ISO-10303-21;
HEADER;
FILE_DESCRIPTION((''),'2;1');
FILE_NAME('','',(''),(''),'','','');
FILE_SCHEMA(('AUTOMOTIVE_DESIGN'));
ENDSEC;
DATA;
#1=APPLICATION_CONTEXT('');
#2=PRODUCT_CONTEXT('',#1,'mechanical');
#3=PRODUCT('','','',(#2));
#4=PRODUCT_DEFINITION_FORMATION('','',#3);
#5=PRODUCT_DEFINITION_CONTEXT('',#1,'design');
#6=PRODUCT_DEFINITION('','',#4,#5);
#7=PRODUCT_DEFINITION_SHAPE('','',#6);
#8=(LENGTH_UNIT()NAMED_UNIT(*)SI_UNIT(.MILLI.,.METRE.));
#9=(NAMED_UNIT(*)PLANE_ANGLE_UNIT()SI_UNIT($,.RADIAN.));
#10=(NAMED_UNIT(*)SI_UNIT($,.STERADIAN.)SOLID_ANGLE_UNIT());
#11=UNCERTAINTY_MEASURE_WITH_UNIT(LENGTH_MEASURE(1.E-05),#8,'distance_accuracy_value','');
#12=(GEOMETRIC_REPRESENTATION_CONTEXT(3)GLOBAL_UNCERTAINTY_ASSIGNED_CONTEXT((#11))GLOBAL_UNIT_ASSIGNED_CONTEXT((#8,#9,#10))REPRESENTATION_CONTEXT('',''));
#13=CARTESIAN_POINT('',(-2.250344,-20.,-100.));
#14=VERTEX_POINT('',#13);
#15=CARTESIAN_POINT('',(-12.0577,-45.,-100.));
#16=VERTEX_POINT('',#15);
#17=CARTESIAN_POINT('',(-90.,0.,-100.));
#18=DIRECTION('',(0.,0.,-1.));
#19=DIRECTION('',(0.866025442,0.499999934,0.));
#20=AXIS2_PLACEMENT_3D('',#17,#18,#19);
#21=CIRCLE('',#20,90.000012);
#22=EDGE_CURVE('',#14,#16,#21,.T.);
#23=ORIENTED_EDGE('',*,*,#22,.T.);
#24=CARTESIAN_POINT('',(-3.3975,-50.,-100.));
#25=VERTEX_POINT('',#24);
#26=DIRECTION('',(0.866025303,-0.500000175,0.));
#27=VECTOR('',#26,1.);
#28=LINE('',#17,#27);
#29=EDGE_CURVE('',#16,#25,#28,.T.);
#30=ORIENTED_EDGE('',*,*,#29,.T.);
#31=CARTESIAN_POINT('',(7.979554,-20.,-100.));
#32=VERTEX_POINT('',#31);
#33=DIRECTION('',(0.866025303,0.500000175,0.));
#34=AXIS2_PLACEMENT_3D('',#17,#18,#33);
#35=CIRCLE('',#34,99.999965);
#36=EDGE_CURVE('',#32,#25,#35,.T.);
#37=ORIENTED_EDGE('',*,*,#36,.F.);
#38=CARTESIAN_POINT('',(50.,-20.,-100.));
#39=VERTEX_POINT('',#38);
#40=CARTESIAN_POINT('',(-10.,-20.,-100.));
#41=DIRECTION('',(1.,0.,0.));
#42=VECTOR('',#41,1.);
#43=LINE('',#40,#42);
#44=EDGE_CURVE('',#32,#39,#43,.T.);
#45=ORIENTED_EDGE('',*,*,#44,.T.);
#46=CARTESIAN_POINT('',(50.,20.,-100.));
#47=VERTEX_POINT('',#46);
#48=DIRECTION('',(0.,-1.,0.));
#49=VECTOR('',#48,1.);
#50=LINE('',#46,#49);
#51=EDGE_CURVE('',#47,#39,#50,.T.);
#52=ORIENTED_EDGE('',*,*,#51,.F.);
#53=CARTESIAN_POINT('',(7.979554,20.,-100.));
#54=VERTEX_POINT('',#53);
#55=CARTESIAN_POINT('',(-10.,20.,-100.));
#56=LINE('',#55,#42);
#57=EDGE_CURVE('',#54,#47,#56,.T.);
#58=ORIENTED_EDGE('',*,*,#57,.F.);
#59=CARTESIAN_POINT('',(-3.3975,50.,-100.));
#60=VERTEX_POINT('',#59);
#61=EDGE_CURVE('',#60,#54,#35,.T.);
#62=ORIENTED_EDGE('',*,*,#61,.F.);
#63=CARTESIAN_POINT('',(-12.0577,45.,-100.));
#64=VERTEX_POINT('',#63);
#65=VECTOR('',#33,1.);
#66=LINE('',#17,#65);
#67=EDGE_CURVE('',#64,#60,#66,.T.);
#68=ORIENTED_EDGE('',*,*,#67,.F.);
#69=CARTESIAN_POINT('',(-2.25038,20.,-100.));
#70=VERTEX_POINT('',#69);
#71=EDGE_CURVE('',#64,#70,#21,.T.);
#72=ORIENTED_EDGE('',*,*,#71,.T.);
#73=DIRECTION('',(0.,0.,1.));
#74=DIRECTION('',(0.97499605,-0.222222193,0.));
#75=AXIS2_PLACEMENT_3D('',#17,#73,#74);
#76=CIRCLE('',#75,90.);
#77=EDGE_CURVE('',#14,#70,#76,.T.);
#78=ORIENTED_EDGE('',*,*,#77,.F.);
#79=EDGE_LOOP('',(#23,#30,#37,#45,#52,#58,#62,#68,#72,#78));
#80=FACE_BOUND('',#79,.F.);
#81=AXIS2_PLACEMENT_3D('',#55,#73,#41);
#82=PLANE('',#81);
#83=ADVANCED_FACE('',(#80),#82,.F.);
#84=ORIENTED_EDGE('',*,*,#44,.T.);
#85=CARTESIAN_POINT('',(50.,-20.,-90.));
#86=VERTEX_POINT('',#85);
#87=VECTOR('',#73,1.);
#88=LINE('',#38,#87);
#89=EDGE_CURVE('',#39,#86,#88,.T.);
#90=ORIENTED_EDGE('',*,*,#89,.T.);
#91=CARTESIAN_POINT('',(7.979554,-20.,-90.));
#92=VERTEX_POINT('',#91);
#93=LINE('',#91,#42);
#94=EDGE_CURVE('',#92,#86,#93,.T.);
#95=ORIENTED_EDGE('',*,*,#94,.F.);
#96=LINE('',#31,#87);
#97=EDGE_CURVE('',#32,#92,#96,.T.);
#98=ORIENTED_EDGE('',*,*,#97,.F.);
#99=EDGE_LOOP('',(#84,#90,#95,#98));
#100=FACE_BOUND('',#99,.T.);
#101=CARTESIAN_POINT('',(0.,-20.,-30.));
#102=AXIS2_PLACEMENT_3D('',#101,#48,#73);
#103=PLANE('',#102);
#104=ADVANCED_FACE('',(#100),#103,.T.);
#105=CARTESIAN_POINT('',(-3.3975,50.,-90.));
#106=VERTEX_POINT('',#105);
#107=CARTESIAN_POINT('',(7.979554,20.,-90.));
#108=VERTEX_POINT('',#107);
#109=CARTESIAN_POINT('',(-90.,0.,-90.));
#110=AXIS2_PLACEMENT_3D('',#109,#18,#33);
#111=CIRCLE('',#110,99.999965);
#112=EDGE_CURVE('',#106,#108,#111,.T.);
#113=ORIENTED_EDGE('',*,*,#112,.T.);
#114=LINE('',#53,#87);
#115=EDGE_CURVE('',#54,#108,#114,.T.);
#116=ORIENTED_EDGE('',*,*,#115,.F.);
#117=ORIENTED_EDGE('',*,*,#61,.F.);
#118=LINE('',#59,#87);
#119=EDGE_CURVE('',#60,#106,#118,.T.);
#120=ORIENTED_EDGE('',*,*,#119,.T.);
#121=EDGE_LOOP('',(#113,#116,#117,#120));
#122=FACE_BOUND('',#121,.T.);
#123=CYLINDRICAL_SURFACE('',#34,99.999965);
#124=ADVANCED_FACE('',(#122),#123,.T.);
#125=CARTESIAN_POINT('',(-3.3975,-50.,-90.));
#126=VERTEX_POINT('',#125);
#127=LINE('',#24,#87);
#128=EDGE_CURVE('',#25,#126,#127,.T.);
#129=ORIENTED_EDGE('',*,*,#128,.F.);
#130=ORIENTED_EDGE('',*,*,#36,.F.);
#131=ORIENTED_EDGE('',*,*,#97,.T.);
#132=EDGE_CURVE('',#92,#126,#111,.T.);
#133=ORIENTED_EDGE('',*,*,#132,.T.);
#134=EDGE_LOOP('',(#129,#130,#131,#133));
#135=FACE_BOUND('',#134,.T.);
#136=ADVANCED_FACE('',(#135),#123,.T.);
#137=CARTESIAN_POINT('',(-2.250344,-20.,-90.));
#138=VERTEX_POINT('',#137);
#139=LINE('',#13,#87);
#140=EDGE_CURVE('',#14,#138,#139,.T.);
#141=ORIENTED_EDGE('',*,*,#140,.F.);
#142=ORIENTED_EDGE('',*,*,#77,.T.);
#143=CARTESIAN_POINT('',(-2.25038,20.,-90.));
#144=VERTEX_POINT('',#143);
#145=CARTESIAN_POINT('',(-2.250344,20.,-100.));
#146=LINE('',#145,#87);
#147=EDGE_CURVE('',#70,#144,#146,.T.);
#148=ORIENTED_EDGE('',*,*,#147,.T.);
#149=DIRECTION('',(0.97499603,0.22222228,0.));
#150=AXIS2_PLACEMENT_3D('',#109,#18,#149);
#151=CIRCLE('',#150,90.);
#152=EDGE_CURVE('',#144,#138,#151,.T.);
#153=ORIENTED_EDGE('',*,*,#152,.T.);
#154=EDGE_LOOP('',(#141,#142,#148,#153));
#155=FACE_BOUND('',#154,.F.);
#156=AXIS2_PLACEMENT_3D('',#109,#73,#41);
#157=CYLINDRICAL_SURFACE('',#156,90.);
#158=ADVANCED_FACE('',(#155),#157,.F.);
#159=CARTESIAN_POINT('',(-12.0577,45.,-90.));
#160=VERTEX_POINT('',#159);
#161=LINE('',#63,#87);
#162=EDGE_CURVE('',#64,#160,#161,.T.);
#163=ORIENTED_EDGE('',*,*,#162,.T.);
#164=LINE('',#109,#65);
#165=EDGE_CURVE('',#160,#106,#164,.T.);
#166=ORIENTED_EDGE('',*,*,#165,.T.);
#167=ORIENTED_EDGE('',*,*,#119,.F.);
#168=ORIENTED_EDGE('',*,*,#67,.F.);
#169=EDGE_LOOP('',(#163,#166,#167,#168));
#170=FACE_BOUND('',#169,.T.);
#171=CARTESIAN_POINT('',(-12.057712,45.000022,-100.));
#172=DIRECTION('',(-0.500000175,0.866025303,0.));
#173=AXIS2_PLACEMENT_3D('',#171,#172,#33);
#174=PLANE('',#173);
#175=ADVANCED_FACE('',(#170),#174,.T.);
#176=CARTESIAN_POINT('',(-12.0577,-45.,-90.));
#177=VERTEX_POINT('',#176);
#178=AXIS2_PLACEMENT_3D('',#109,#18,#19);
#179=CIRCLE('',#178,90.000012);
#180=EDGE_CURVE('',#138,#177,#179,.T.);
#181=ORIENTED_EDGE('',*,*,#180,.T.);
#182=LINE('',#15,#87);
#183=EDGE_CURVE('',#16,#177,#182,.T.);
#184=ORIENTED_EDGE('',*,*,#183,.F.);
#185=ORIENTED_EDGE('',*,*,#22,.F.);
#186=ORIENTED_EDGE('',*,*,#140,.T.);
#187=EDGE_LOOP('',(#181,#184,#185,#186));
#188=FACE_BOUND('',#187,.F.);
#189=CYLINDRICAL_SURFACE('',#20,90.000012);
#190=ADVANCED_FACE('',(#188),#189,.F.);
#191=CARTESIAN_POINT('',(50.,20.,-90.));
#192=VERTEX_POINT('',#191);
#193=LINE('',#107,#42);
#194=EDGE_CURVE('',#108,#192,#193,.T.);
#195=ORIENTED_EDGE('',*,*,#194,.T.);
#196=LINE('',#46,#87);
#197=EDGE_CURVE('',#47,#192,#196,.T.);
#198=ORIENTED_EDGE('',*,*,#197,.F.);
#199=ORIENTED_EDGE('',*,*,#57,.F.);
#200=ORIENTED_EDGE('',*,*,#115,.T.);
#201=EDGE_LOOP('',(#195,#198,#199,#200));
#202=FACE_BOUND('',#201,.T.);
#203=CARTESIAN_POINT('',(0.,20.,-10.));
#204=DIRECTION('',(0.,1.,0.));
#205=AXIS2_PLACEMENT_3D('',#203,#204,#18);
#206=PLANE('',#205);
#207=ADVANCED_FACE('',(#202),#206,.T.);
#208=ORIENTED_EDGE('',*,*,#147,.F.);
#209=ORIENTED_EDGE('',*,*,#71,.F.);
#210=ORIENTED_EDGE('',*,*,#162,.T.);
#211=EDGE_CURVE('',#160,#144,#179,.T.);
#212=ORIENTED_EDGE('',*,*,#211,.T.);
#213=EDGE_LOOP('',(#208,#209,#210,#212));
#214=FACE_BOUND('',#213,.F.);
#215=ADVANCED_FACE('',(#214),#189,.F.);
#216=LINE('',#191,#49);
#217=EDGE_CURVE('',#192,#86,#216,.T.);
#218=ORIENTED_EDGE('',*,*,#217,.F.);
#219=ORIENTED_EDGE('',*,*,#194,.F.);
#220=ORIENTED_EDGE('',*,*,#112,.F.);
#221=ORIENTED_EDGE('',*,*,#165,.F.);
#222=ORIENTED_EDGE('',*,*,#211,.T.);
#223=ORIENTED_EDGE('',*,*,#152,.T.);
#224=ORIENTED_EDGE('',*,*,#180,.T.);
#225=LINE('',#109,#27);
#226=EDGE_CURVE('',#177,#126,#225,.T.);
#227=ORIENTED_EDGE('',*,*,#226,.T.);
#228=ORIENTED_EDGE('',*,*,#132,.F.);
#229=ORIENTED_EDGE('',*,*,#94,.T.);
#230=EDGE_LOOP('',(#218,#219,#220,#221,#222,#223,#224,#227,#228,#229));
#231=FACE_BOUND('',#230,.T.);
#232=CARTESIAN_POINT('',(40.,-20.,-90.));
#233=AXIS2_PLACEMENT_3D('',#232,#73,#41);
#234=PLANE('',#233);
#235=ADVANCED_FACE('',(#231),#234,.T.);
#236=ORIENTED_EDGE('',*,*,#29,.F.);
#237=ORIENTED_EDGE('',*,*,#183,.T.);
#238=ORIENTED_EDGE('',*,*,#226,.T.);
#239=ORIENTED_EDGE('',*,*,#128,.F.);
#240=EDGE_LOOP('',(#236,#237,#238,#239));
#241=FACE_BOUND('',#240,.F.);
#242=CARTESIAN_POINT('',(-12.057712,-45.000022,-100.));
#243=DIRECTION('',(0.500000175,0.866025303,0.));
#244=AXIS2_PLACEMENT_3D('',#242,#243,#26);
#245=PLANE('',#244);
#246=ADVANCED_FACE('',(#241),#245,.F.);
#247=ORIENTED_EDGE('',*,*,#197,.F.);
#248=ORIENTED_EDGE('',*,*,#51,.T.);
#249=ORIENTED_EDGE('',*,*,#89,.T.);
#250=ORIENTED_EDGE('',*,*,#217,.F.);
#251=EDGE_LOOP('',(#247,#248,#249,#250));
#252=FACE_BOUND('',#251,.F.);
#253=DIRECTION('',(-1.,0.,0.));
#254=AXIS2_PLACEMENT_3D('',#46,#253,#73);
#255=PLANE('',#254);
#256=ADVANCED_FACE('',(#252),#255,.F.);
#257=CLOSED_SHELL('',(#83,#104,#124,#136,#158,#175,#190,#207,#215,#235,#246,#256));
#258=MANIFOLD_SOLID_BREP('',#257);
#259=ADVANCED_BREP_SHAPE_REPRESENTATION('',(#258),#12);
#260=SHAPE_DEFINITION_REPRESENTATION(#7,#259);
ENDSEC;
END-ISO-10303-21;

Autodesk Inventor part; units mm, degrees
ref_plane "YZ Plane" through (0, 0, 0) normal (1, 0, 0) x (0, 1, 0)
ref_plane "XZ Plane" through (0, 0, 0) normal (0, 1, 0) x (-1, 0, 0)
ref_plane "XY Plane" through (0, 0, 0) normal (0, 0, 1) x (1, 0, 0)
sketch "Skizze1" plane through (0, 0, 0) normal (1, 0, 0) x (0, 1, 0)
  line L0 (-10, -10) -> (-10, -5)
  line L1 (-10, -5) -> (-15, -5)
  line L2 (-15, -5) -> (-15, 0)
  line L3 (-15, 0) -> (15, 0)
  line L4 (15, 0) -> (15, -5)
  line L5 (15, -5) -> (10, -5)
  line L6 (10, -5) -> (10, -10)
  line L7 (10, -10) -> (20, -10)
  line L8 (20, -10) -> (20, -30)
  line L9 (20, -30) -> (-20, -30)
  line L10 (-20, -30) -> (-20, -10)
  line L11 (-20, -10) -> (-10, -10)
  line L12 (0, -36) -> (0, 6) projected
  point P0 (0, 0)
  dimension "d0" = 30
  dimension "d1" = 20
  dimension "d2" = 5
  dimension "d3" = 5
  dimension "d4" = 20
  dimension "d5" = 90
  dimension "d6" = 40
extrude "Extrusion1" add sketch "Skizze1" along normal blind 10
sketch "Skizze3" plane through (0, 20, -10) normal (0, 1, 0) x (1, 0, 0)
  line L0 (0, 0) -> (0, 20) projected
  line L1 (0, 20) -> (40, 20)
  line L2 (40, 20) -> (40, 80)
  line L3 (40, 80) -> (-10, 80)
  line L4 (-10, 80) -> (-10, 90)
  line L5 (-10, 90) -> (50, 90)
  line L6 (50, 90) -> (50, 10)
  line L7 (50, 10) -> (0, 10)
  point P0 (0, -10)
  dimension "d12" = 10
  dimension "d13" = 10
  dimension "d14" = 10
  dimension "d15" = 60
  dimension "d16" = 50
  dimension "d17" = 60
extrude "Extrusion3" add sketch "Skizze3" against normal up to surface (40 mm away)
sketch "Skizze4" plane through (50, 20, -100) normal (0, 0, -1) x (-1, 0, 0)
  arc A0 (53.3975, 30) -> (53.3975, -70) centre (140, -20) ccw
  arc A1 (62.0577, 25) -> (62.0577, -65) centre (140, -20) ccw
  line L0 (140, -20) -> (53.3975, -70)
  line L1 (140, -20) -> (53.3975, 30)
  line L2 (0, -40) -> (60, -40) projected
  line L3 (0, 0) -> (60, 0) projected
  line L4 (0, 0) -> (0, -40) projected
  point P0 (40, -20)
  point P1 (42.0204, 0)
  point P2 (52.2504, 0)
  point P3 (52.2504, -40)
  point P4 (42.0204, -40)
  dimension "d20" = 200
  dimension "d21" = 180
  dimension "d22" = 30
  dimension "d23" = 30
  dimension "d24" = 40
  dimension "d25" = 20
  dimension "d30" = 140
extrude "Extrusion4" add sketch "Skizze4" against normal up to surface (10 mm away) contours L1 A1 L3 A0 | L2 A1 L0 A0
sketch "Skizze5" plane through (40, -20, -90) normal (0, 0, 1) x (1, 0, 0)
  arc A0 (-42.2504, 40) -> (-52.0577, 65) centre (-130, 20) ccw projected
  circle A1 centre (-130, 20) radius 90
  point P0 (-40, 20)
  point P1 (-52.0577, 65)
  point P2 (-42.2504, 40)
extrude "Extrusion5" cut sketch "Skizze5" against normal up to surface (10 mm away)
sketch "Skizze6" plane through (40, -20, -90) normal (0, 0, 1) x (1, 0, 0)
  arc A0 (-52.0577, -25) -> (-52.0577, 65) centre (-130, 20) ccw projected
  line L0 (-43.3975, -30) -> (-52.0577, -25) projected
  arc A1 (-43.3975, -30) -> (-32.0204, 0) centre (-130, 20) ccw projected
  line L1 (-32.0204, 0) -> (0, 0) projected
  line L2 (0, 40) -> (0, 0) projected
  line L3 (-32.0204, 40) -> (0, 40) projected
  arc A2 (-32.0204, 40) -> (-43.3975, 70) centre (-130, 20) ccw projected
  line L4 (-52.0577, 65) -> (-43.3975, 70) projected
  line L5 (-30, 0) -> (-30, 40) projected
  line L6 (-30, 0) -> (10, 0) projected
  line L7 (10, 40) -> (10, 0) projected
  line L8 (-30, 40) -> (10, 40) projected
  point P0 (-40, 20)
extrude "Extrusion6" cut sketch "Skizze6" along normal through all
equation "\"d13\" = d12"
equation "\"d23\" = d22"
equation "\"d25\" = 0.5 * d24"
properties part number "Finger"
